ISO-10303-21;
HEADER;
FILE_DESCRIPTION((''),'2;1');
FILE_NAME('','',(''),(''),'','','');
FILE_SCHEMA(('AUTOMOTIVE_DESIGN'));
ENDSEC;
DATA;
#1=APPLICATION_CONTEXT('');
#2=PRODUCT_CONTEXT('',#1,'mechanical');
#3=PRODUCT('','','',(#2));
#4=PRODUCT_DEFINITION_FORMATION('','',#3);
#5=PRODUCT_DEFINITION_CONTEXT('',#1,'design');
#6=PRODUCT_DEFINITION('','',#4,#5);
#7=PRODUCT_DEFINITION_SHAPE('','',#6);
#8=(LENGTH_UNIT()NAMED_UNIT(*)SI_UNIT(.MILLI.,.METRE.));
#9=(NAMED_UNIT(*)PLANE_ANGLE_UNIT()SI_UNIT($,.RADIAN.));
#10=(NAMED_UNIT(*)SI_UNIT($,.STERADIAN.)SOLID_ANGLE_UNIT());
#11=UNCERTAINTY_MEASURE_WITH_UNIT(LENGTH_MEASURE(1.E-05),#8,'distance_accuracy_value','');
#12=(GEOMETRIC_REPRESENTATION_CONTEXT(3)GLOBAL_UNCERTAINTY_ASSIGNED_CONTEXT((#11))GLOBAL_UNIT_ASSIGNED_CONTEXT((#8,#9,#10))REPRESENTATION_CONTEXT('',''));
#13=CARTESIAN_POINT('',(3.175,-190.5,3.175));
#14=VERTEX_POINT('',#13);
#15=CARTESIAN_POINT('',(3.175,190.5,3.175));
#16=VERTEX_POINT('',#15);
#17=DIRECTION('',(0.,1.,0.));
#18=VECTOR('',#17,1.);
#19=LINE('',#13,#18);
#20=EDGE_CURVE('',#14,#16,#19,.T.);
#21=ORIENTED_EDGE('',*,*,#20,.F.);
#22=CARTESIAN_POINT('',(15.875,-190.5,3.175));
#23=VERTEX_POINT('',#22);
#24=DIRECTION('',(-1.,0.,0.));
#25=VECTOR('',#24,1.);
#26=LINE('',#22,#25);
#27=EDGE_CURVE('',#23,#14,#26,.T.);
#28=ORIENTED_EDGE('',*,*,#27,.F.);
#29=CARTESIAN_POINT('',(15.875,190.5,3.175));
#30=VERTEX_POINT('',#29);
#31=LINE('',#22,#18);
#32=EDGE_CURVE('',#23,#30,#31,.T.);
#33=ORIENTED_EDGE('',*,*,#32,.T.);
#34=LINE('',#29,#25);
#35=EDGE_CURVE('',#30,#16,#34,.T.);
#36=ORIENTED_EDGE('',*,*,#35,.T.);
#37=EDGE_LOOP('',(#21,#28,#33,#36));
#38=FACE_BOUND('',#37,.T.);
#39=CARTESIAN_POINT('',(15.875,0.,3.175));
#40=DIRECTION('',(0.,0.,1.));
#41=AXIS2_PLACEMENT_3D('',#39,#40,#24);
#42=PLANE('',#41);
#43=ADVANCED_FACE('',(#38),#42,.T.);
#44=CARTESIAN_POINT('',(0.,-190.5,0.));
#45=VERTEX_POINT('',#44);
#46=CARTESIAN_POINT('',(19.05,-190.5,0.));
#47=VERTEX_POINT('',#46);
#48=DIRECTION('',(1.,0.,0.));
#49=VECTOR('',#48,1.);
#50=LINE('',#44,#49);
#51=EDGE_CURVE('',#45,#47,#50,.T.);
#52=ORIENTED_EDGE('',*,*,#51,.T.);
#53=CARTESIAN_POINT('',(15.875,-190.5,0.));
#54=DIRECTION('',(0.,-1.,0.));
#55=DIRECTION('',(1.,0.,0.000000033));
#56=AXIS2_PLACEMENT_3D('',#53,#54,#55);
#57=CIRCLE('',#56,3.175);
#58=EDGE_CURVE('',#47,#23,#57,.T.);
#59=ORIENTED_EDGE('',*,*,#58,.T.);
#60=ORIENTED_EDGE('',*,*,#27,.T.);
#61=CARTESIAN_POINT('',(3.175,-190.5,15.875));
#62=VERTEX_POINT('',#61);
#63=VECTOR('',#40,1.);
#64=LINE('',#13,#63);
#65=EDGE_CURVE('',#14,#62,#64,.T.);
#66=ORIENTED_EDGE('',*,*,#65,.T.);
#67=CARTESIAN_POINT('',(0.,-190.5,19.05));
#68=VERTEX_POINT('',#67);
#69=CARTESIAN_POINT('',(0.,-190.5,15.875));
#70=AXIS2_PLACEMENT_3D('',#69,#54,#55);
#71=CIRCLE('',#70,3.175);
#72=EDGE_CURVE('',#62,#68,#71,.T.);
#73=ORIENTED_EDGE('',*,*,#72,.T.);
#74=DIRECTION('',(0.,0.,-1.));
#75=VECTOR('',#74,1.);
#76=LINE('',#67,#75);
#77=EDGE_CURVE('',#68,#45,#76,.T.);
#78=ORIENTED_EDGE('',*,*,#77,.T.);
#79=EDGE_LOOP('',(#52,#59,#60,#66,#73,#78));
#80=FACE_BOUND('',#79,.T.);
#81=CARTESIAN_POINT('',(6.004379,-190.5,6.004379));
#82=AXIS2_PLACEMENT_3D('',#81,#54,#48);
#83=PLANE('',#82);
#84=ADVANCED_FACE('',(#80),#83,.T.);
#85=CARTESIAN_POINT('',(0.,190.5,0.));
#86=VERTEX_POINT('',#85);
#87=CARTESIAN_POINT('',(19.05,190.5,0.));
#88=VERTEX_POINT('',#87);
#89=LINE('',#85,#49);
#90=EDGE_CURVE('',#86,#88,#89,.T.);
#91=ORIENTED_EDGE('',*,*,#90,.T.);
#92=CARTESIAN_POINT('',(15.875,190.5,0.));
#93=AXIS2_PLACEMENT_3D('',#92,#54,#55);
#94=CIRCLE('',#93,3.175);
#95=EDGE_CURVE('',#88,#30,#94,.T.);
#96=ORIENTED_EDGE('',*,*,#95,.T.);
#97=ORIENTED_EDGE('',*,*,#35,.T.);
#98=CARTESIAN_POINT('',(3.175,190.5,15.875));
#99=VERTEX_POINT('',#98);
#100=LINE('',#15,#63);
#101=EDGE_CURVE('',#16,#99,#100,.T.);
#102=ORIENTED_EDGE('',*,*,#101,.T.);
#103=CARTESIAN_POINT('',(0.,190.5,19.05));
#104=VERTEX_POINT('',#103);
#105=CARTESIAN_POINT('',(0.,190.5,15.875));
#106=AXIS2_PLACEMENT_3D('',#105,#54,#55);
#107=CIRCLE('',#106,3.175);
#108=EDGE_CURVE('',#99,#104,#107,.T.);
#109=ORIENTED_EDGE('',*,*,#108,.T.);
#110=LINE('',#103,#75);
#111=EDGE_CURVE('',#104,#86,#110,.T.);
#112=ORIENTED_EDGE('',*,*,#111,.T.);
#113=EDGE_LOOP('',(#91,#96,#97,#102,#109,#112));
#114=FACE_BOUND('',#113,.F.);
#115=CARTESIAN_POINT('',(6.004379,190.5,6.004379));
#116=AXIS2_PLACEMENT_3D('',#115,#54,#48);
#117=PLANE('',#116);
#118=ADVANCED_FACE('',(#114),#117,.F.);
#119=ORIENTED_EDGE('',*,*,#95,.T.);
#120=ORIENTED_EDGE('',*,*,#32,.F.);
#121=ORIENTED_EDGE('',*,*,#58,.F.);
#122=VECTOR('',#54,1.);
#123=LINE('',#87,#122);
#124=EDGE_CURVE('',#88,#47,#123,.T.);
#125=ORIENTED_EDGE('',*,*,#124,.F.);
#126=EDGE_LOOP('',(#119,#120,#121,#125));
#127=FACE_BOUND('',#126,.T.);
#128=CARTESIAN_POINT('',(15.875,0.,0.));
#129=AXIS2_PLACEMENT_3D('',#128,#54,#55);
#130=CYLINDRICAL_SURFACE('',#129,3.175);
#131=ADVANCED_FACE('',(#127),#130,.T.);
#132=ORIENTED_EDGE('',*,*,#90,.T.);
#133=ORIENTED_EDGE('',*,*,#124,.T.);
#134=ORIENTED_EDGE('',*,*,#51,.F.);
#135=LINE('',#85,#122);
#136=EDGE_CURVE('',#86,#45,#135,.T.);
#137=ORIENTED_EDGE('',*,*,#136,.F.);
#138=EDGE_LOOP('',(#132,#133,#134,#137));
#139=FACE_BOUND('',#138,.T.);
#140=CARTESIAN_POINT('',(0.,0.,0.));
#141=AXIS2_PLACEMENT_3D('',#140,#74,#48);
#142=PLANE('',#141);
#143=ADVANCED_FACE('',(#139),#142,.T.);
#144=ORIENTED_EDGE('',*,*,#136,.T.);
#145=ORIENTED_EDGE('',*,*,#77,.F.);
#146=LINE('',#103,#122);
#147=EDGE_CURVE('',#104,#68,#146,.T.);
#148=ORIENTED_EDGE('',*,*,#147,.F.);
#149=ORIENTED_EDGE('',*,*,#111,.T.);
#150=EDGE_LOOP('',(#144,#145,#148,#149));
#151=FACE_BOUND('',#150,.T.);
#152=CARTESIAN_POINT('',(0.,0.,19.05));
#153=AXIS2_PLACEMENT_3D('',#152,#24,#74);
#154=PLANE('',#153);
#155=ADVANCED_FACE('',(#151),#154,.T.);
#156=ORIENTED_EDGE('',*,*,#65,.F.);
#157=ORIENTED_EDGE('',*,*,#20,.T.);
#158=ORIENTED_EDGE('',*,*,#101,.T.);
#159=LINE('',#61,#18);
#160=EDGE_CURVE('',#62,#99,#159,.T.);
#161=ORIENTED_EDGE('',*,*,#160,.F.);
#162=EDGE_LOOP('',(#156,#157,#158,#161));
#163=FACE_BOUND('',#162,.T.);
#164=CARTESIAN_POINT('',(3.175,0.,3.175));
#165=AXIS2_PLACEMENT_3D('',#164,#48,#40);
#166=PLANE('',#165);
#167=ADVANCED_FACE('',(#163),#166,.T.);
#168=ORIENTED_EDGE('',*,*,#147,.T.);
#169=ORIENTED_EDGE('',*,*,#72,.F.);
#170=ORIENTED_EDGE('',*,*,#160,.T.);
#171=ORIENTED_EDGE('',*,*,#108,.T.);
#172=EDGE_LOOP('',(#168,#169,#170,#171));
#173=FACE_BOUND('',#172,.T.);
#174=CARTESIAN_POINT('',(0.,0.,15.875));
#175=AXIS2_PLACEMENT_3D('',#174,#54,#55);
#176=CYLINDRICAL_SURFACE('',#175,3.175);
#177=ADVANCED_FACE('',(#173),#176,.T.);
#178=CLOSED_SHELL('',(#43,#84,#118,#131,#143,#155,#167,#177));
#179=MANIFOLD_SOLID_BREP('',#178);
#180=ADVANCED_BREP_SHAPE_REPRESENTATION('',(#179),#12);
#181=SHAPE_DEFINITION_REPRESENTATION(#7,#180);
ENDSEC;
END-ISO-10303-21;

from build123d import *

# Parameters (mm, degrees)
F1_DEPTH = 190.5


with BuildPart() as f1:
    # F0 (on Front) → F1 (new body, symmetric)
    with BuildSketch(Plane.XZ):
        with BuildLine():
            ThreePointArc((3.175, 15.875), (2.245064, 18.120064), (0, 19.05))
            Line((0, 19.05), (0, 0))
            Line((0, 0), (19.05, 0))
            ThreePointArc((19.05, 0), (18.120064, 2.245064), (15.875, 3.175))
            Line((15.875, 3.175), (3.175, 3.175))
            Line((3.175, 3.175), (3.175, 15.875))
        make_face()
    extrude(amount=F1_DEPTH, both=True)


solid = f1.part
